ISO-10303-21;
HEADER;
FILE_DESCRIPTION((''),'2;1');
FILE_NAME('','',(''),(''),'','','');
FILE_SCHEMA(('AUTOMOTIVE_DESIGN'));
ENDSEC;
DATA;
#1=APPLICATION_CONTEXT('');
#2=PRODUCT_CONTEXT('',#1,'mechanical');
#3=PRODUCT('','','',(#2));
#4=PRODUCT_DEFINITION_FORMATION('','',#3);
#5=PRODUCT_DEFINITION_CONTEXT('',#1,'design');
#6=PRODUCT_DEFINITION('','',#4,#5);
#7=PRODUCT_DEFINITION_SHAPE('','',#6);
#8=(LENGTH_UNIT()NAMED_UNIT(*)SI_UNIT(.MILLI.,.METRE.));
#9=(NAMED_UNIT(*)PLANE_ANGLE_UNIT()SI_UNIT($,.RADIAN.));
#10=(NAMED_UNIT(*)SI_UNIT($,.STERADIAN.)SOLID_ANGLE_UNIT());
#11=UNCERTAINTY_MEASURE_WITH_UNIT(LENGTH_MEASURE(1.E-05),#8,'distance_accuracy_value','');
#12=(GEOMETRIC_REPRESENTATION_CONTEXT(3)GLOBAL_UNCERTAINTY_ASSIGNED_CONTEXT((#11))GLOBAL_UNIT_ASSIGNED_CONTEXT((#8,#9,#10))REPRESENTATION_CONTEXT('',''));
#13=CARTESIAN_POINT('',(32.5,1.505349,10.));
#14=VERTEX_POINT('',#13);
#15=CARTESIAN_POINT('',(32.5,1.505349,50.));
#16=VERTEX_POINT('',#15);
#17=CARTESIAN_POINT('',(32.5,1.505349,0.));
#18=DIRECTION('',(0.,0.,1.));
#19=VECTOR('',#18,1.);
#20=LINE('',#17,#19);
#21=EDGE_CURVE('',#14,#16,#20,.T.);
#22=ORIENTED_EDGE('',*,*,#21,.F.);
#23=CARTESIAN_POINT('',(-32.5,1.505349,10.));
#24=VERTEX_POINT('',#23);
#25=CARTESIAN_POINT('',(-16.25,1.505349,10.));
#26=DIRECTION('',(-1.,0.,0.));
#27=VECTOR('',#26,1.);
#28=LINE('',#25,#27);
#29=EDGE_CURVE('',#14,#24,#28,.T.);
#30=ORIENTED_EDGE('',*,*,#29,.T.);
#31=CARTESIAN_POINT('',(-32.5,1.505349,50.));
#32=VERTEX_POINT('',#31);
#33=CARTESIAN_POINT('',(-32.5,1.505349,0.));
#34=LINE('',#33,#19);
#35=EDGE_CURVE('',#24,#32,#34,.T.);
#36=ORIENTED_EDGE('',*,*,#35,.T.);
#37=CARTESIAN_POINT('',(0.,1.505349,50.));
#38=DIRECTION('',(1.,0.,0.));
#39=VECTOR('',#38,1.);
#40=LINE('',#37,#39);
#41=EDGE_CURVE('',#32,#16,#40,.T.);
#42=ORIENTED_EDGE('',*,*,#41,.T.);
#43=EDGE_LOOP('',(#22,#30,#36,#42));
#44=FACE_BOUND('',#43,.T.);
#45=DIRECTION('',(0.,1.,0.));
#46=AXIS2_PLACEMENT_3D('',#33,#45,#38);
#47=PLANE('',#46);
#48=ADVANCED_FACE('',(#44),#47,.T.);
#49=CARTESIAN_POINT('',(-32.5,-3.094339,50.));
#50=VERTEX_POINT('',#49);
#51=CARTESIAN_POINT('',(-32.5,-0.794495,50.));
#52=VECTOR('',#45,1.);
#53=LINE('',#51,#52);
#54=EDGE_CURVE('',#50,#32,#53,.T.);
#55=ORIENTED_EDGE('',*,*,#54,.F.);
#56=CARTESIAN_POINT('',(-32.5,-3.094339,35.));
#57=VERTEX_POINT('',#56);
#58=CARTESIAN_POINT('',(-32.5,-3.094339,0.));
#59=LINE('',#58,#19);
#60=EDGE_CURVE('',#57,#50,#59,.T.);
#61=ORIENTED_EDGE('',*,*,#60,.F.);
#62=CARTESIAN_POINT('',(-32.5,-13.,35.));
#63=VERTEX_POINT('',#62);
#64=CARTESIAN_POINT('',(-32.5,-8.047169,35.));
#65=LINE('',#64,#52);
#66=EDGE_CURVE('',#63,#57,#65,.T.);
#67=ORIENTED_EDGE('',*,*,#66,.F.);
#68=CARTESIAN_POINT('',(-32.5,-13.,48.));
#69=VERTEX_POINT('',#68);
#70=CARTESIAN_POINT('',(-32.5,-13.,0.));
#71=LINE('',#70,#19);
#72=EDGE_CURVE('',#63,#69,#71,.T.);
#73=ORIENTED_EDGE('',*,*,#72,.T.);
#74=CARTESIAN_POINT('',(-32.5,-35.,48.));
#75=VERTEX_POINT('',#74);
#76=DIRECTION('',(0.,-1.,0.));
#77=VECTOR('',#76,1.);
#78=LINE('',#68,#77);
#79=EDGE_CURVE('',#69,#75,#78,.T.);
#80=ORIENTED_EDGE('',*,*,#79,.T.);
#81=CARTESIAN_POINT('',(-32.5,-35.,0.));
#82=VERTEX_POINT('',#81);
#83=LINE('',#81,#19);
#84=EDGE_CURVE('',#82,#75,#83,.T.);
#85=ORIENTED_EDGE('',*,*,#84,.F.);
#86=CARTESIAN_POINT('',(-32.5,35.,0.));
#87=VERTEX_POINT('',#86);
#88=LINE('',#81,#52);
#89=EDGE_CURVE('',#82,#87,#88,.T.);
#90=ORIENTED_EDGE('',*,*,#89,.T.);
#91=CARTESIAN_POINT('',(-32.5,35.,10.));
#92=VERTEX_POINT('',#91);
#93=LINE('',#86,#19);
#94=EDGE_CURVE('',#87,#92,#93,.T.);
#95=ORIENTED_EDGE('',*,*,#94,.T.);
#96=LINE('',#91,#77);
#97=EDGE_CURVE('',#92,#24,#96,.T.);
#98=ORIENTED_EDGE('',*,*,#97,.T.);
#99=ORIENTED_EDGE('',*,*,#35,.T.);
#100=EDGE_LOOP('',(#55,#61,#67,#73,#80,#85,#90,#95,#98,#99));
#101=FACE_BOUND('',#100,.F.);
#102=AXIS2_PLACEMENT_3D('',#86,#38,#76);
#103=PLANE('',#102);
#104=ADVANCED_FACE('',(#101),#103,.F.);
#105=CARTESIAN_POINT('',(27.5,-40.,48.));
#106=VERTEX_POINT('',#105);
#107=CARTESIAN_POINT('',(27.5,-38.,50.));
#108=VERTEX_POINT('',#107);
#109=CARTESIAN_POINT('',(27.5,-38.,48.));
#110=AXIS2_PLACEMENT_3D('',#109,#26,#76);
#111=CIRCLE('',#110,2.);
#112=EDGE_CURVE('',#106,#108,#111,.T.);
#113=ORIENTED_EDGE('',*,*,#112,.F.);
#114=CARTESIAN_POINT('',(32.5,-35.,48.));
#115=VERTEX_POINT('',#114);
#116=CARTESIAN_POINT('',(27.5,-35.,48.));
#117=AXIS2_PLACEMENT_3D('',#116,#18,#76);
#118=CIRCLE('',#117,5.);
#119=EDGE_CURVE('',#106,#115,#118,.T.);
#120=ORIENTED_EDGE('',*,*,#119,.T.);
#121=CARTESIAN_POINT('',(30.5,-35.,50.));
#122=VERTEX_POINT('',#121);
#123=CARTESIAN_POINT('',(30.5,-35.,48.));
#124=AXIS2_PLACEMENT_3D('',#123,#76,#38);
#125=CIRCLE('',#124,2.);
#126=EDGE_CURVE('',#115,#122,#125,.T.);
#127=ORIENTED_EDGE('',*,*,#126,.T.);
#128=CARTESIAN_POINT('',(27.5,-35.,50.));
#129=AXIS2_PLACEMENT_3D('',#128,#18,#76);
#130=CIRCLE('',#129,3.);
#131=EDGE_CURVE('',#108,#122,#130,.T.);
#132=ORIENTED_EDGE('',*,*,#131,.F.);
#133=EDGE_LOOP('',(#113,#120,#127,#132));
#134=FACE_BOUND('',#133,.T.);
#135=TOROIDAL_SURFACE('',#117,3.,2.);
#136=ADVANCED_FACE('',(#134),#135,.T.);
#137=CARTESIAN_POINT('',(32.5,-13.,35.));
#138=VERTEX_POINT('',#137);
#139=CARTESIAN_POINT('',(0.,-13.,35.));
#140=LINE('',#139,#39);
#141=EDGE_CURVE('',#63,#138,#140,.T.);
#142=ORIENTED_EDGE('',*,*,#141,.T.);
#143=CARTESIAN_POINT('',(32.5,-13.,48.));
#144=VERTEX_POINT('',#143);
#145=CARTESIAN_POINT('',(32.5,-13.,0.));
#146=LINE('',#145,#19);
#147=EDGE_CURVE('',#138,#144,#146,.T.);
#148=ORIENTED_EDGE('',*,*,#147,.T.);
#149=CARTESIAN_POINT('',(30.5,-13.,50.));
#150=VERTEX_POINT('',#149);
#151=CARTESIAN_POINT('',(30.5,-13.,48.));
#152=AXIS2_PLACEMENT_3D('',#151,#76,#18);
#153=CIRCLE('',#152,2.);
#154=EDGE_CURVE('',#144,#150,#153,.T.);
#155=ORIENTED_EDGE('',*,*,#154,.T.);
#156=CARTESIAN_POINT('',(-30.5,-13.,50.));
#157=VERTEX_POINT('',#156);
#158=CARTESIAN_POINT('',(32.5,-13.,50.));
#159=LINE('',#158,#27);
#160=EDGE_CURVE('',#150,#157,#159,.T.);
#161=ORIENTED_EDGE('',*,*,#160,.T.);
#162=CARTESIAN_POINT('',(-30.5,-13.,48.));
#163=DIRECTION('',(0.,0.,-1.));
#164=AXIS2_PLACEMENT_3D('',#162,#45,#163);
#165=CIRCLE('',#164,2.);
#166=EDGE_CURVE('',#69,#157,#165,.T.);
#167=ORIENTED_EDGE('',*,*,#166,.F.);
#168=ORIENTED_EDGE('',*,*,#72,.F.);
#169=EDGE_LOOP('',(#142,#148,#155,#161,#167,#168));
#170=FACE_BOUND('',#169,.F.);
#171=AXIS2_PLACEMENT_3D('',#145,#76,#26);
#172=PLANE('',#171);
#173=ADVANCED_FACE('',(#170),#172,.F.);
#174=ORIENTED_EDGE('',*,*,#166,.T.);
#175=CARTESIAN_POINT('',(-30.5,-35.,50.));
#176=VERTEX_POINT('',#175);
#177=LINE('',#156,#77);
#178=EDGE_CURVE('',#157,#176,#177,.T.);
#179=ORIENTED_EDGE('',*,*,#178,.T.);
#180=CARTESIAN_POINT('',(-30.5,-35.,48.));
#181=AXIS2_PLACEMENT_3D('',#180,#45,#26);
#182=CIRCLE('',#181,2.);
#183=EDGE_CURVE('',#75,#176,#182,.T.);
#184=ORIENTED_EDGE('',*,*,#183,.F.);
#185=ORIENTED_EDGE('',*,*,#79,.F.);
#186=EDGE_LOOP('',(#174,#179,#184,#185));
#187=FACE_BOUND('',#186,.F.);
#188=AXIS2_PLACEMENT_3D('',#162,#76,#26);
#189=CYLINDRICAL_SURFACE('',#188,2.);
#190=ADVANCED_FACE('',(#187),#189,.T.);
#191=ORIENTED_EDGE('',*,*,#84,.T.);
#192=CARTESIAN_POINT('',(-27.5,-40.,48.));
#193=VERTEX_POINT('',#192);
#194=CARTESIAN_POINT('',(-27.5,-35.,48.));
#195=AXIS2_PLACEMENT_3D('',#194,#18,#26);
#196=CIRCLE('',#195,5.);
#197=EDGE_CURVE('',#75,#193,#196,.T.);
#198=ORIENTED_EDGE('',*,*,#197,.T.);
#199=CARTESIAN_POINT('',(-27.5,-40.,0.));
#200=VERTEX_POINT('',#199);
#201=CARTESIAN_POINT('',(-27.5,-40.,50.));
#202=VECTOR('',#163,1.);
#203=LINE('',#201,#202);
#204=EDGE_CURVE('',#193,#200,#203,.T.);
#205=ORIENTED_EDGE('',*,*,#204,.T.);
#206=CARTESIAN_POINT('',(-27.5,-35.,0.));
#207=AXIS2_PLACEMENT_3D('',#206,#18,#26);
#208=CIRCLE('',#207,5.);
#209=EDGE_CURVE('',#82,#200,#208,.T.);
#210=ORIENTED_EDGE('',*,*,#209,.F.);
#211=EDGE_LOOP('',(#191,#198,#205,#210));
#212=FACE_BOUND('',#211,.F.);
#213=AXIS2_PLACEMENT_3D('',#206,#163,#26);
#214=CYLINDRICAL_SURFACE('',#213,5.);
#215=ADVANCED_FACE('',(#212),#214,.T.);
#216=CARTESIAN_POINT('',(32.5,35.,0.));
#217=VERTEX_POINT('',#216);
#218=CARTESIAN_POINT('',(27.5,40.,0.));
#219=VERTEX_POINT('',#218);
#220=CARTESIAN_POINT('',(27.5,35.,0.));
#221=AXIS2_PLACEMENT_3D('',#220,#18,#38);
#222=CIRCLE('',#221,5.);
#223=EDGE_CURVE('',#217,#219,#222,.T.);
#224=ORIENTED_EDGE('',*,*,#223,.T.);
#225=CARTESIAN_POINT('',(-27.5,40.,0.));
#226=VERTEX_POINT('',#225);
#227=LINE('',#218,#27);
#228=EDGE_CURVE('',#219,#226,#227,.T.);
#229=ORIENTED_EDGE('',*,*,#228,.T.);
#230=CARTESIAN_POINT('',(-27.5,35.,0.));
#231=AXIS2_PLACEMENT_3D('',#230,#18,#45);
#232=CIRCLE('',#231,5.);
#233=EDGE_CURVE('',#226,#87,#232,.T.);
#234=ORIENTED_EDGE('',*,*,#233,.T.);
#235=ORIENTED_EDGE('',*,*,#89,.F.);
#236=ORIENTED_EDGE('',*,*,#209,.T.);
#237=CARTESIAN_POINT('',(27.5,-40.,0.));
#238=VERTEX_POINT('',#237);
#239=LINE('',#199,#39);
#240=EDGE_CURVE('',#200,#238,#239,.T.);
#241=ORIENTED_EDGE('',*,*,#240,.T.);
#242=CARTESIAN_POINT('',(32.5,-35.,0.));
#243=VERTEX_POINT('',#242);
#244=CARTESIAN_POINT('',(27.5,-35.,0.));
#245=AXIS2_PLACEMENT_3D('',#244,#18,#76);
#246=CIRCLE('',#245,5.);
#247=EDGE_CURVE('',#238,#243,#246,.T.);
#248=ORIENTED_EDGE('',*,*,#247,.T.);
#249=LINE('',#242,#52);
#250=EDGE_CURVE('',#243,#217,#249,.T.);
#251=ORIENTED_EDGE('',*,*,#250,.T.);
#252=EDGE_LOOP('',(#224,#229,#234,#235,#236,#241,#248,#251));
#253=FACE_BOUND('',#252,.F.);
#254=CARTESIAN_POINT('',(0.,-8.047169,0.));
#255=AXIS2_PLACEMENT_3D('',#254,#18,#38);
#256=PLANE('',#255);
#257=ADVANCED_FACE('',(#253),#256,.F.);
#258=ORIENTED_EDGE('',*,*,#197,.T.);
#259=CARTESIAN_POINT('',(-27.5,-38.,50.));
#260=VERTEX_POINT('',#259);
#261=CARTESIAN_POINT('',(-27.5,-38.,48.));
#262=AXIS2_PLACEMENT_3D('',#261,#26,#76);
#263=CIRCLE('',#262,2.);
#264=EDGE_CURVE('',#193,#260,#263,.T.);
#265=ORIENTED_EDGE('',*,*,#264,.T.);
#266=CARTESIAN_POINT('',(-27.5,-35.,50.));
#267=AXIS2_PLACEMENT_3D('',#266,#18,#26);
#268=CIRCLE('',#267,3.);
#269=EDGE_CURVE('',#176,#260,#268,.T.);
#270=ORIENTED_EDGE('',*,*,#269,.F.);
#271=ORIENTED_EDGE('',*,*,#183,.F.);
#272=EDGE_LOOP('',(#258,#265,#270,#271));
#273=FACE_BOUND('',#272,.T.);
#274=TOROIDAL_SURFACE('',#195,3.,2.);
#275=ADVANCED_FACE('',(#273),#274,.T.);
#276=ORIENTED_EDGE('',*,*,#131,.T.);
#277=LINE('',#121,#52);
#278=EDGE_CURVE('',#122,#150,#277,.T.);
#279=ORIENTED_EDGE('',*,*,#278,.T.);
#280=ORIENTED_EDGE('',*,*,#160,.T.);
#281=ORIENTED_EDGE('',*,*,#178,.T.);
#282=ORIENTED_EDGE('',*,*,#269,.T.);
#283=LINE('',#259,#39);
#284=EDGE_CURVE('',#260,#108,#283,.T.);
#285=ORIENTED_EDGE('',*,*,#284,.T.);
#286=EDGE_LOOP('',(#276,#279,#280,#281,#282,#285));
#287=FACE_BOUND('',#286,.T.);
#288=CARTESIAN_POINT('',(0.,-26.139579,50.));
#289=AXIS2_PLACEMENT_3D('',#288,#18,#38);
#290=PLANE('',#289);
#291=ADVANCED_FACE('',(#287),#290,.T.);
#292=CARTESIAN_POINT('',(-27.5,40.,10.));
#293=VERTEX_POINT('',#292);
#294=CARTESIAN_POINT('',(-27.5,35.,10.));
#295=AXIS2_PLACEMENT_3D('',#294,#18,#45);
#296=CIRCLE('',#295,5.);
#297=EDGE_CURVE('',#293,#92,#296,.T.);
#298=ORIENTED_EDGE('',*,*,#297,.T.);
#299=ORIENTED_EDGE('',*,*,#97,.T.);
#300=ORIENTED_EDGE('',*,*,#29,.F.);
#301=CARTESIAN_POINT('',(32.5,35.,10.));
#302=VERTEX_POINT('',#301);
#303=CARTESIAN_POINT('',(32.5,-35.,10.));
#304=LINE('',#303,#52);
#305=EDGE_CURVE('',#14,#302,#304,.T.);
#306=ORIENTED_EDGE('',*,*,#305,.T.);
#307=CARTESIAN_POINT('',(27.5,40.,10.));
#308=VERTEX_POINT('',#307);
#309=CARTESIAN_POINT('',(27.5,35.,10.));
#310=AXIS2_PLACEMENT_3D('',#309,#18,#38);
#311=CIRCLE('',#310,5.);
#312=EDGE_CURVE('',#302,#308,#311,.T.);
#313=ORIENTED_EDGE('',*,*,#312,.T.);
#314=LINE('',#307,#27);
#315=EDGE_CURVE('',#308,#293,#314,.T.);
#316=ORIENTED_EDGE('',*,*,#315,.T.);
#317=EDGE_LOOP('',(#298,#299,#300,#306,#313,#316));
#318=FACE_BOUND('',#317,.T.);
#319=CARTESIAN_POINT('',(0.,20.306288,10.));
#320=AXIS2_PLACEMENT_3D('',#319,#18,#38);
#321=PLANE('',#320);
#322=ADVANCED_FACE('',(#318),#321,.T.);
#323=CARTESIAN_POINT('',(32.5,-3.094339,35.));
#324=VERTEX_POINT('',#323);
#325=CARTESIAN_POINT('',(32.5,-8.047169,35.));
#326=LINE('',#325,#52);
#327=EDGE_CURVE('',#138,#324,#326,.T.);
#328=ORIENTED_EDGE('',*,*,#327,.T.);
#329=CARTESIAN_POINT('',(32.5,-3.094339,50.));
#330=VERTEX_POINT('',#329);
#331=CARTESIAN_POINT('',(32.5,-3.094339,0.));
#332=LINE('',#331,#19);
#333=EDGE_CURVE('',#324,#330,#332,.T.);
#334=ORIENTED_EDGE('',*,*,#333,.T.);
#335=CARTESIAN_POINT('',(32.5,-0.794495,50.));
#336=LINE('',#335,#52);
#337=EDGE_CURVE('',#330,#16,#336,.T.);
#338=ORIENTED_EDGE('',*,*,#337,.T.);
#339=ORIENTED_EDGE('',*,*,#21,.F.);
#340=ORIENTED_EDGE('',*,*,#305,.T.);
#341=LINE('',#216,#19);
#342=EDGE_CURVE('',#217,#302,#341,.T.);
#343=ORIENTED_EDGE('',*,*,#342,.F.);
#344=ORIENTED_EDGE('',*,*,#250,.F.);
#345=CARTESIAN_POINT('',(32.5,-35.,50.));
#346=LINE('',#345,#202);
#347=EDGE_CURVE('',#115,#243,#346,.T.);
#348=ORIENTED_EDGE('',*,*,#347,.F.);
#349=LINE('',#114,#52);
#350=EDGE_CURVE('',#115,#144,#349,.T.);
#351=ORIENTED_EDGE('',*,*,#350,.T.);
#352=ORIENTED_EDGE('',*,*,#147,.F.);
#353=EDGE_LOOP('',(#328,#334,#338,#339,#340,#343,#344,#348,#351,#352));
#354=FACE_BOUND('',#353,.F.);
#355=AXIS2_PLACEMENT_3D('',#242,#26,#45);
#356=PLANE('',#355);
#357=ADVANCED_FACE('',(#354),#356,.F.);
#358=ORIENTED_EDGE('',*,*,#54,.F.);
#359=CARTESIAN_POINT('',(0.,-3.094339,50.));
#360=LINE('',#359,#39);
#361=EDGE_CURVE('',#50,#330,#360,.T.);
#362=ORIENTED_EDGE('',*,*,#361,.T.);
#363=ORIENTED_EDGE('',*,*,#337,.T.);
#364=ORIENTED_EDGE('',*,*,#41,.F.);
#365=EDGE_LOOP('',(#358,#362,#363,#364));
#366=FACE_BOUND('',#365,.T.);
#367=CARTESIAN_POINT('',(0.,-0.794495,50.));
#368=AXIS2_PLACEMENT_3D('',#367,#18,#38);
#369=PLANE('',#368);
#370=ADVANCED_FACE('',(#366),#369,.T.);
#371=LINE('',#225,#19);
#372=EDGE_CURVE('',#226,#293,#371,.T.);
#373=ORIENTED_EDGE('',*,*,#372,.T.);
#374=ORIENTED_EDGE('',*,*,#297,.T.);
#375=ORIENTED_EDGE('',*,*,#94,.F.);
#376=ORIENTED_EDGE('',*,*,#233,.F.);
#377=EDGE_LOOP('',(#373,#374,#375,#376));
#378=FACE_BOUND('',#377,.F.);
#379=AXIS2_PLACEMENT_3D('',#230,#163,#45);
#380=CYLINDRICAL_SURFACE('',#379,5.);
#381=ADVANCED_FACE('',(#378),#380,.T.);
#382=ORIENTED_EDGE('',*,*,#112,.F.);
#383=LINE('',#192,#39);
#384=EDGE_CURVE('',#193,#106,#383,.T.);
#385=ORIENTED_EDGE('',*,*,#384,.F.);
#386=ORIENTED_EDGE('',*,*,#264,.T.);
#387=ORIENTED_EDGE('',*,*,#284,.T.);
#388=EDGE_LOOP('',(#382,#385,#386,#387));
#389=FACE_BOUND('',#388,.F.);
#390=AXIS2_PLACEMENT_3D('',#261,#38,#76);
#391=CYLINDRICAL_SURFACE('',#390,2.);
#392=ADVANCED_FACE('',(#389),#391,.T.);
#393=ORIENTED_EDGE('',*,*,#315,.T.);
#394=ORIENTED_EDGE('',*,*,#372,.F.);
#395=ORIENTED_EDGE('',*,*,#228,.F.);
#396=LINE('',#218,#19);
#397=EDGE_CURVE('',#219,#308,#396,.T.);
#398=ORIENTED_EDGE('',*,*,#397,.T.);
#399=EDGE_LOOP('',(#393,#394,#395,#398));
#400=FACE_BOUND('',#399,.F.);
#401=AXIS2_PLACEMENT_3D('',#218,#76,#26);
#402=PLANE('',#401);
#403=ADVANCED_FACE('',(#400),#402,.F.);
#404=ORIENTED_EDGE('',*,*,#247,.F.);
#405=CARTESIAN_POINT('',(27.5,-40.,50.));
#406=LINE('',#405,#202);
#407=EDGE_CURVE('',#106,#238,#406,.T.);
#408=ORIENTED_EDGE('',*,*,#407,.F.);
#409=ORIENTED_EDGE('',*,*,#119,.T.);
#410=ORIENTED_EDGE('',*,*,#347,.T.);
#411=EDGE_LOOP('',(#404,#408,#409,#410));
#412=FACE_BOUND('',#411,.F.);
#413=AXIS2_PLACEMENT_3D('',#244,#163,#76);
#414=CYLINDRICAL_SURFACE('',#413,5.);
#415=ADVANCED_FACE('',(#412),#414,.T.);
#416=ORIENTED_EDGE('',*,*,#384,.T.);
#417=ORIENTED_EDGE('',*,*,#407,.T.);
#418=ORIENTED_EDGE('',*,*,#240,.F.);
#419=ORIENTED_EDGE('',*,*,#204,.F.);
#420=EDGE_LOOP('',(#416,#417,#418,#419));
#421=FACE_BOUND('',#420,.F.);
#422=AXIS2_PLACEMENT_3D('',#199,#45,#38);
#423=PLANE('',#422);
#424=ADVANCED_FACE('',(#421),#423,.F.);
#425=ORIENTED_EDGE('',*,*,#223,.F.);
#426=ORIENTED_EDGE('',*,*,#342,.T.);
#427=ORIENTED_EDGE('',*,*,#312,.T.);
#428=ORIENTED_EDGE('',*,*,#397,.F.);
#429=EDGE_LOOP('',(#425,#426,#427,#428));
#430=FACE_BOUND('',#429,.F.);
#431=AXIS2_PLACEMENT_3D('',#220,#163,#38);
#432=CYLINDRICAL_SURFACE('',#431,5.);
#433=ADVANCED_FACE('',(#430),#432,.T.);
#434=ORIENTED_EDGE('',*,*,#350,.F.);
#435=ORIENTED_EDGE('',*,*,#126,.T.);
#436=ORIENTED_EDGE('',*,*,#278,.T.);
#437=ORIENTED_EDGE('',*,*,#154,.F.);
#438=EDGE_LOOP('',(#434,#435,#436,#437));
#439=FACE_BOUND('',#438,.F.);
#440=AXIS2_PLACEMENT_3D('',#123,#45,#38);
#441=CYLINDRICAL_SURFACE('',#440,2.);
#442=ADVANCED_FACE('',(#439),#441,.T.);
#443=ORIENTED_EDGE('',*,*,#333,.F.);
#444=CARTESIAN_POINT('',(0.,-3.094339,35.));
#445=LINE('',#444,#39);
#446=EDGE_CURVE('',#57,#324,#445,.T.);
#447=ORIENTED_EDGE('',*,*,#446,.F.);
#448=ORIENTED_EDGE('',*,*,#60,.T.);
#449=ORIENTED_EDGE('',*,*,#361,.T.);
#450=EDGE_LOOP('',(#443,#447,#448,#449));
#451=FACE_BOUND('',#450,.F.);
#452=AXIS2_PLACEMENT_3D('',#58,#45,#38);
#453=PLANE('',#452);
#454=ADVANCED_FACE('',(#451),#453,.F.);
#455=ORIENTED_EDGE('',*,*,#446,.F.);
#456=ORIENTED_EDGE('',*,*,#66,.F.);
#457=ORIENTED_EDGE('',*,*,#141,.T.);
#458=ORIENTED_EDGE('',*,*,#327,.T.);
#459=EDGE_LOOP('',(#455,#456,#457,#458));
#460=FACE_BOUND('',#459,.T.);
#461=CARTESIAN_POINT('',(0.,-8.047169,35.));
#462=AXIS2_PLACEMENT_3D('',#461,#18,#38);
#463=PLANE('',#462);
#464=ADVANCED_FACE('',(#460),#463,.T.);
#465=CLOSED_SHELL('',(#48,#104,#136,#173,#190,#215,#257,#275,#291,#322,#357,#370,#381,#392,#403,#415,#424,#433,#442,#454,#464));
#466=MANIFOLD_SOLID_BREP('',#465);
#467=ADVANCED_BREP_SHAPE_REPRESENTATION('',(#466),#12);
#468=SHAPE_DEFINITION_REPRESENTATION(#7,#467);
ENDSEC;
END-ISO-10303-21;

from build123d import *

# Parameters (mm, degrees)
F0_W     = 65
F0_H     = 4.5996872587
F0_H_2   = 9.9056614563
F1_DEPTH = 10
F2_DEPTH = 50
F3_DEPTH = 35
F4_R     = 2


with BuildPart() as f1:
    # F0 (on Top) → F1 (new body)
    with BuildSketch(Plane.XY):
        with BuildLine():
            ThreePointArc((32.5, 35), (31.0355339059, 38.5355339059), (27.5, 40))
            Line((27.5, 40), (-27.5, 40))
            ThreePointArc((-27.5, 40), (-31.0355339059, 38.5355339059), (-32.5, 35))
            Line((-32.5, 35), (-32.5, 1.505348715))
            Line((-32.5, 1.505348715), (32.5, 1.505348715))
            Line((32.5, 1.505348715), (32.5, 35))
        make_face()
        with Locations((0, -0.7944949144)):
            Rectangle(F0_W, F0_H)
        with Locations((0, -8.0471692719)):
            Rectangle(F0_W, F0_H_2)
        with BuildLine():
            Line((32.5, -35), (32.5, -13))
            Line((32.5, -13), (-32.5, -13))
            Line((-32.5, -13), (-32.5, -35))
            ThreePointArc((-32.5, -35), (-31.0355339059, -38.5355339059), (-27.5, -40))
            Line((-27.5, -40), (27.5, -40))
            ThreePointArc((27.5, -40), (31.0355339059, -38.5355339059), (32.5, -35))
        make_face()
    extrude(amount=F1_DEPTH)

    # F0 (on Top) → F2 (join)
    with BuildSketch(Plane.XY):
        with Locations((0, -0.7944949144)):
            Rectangle(F0_W, F0_H)
        with BuildLine():
            Line((32.5, -35), (32.5, -13))
            Line((32.5, -13), (-32.5, -13))
            Line((-32.5, -13), (-32.5, -35))
            ThreePointArc((-32.5, -35), (-31.0355339059, -38.5355339059), (-27.5, -40))
            Line((-27.5, -40), (27.5, -40))
            ThreePointArc((27.5, -40), (31.0355339059, -38.5355339059), (32.5, -35))
        make_face()
    extrude(amount=F2_DEPTH)

    # F0 (on Top) → F3 (join)
    with BuildSketch(Plane.XY):
        with Locations((0, -8.0471692719)):
            Rectangle(F0_W, F0_H_2)
    extrude(amount=F3_DEPTH)

    # F4
    f4_edges = [f1.edges().sort_by_distance(p)[0] for p in [
        (-32.5, -24, 50),
        (32.5, -24, 50),
    ]]
    fillet(f4_edges, radius=F4_R)


solid = f1.part
